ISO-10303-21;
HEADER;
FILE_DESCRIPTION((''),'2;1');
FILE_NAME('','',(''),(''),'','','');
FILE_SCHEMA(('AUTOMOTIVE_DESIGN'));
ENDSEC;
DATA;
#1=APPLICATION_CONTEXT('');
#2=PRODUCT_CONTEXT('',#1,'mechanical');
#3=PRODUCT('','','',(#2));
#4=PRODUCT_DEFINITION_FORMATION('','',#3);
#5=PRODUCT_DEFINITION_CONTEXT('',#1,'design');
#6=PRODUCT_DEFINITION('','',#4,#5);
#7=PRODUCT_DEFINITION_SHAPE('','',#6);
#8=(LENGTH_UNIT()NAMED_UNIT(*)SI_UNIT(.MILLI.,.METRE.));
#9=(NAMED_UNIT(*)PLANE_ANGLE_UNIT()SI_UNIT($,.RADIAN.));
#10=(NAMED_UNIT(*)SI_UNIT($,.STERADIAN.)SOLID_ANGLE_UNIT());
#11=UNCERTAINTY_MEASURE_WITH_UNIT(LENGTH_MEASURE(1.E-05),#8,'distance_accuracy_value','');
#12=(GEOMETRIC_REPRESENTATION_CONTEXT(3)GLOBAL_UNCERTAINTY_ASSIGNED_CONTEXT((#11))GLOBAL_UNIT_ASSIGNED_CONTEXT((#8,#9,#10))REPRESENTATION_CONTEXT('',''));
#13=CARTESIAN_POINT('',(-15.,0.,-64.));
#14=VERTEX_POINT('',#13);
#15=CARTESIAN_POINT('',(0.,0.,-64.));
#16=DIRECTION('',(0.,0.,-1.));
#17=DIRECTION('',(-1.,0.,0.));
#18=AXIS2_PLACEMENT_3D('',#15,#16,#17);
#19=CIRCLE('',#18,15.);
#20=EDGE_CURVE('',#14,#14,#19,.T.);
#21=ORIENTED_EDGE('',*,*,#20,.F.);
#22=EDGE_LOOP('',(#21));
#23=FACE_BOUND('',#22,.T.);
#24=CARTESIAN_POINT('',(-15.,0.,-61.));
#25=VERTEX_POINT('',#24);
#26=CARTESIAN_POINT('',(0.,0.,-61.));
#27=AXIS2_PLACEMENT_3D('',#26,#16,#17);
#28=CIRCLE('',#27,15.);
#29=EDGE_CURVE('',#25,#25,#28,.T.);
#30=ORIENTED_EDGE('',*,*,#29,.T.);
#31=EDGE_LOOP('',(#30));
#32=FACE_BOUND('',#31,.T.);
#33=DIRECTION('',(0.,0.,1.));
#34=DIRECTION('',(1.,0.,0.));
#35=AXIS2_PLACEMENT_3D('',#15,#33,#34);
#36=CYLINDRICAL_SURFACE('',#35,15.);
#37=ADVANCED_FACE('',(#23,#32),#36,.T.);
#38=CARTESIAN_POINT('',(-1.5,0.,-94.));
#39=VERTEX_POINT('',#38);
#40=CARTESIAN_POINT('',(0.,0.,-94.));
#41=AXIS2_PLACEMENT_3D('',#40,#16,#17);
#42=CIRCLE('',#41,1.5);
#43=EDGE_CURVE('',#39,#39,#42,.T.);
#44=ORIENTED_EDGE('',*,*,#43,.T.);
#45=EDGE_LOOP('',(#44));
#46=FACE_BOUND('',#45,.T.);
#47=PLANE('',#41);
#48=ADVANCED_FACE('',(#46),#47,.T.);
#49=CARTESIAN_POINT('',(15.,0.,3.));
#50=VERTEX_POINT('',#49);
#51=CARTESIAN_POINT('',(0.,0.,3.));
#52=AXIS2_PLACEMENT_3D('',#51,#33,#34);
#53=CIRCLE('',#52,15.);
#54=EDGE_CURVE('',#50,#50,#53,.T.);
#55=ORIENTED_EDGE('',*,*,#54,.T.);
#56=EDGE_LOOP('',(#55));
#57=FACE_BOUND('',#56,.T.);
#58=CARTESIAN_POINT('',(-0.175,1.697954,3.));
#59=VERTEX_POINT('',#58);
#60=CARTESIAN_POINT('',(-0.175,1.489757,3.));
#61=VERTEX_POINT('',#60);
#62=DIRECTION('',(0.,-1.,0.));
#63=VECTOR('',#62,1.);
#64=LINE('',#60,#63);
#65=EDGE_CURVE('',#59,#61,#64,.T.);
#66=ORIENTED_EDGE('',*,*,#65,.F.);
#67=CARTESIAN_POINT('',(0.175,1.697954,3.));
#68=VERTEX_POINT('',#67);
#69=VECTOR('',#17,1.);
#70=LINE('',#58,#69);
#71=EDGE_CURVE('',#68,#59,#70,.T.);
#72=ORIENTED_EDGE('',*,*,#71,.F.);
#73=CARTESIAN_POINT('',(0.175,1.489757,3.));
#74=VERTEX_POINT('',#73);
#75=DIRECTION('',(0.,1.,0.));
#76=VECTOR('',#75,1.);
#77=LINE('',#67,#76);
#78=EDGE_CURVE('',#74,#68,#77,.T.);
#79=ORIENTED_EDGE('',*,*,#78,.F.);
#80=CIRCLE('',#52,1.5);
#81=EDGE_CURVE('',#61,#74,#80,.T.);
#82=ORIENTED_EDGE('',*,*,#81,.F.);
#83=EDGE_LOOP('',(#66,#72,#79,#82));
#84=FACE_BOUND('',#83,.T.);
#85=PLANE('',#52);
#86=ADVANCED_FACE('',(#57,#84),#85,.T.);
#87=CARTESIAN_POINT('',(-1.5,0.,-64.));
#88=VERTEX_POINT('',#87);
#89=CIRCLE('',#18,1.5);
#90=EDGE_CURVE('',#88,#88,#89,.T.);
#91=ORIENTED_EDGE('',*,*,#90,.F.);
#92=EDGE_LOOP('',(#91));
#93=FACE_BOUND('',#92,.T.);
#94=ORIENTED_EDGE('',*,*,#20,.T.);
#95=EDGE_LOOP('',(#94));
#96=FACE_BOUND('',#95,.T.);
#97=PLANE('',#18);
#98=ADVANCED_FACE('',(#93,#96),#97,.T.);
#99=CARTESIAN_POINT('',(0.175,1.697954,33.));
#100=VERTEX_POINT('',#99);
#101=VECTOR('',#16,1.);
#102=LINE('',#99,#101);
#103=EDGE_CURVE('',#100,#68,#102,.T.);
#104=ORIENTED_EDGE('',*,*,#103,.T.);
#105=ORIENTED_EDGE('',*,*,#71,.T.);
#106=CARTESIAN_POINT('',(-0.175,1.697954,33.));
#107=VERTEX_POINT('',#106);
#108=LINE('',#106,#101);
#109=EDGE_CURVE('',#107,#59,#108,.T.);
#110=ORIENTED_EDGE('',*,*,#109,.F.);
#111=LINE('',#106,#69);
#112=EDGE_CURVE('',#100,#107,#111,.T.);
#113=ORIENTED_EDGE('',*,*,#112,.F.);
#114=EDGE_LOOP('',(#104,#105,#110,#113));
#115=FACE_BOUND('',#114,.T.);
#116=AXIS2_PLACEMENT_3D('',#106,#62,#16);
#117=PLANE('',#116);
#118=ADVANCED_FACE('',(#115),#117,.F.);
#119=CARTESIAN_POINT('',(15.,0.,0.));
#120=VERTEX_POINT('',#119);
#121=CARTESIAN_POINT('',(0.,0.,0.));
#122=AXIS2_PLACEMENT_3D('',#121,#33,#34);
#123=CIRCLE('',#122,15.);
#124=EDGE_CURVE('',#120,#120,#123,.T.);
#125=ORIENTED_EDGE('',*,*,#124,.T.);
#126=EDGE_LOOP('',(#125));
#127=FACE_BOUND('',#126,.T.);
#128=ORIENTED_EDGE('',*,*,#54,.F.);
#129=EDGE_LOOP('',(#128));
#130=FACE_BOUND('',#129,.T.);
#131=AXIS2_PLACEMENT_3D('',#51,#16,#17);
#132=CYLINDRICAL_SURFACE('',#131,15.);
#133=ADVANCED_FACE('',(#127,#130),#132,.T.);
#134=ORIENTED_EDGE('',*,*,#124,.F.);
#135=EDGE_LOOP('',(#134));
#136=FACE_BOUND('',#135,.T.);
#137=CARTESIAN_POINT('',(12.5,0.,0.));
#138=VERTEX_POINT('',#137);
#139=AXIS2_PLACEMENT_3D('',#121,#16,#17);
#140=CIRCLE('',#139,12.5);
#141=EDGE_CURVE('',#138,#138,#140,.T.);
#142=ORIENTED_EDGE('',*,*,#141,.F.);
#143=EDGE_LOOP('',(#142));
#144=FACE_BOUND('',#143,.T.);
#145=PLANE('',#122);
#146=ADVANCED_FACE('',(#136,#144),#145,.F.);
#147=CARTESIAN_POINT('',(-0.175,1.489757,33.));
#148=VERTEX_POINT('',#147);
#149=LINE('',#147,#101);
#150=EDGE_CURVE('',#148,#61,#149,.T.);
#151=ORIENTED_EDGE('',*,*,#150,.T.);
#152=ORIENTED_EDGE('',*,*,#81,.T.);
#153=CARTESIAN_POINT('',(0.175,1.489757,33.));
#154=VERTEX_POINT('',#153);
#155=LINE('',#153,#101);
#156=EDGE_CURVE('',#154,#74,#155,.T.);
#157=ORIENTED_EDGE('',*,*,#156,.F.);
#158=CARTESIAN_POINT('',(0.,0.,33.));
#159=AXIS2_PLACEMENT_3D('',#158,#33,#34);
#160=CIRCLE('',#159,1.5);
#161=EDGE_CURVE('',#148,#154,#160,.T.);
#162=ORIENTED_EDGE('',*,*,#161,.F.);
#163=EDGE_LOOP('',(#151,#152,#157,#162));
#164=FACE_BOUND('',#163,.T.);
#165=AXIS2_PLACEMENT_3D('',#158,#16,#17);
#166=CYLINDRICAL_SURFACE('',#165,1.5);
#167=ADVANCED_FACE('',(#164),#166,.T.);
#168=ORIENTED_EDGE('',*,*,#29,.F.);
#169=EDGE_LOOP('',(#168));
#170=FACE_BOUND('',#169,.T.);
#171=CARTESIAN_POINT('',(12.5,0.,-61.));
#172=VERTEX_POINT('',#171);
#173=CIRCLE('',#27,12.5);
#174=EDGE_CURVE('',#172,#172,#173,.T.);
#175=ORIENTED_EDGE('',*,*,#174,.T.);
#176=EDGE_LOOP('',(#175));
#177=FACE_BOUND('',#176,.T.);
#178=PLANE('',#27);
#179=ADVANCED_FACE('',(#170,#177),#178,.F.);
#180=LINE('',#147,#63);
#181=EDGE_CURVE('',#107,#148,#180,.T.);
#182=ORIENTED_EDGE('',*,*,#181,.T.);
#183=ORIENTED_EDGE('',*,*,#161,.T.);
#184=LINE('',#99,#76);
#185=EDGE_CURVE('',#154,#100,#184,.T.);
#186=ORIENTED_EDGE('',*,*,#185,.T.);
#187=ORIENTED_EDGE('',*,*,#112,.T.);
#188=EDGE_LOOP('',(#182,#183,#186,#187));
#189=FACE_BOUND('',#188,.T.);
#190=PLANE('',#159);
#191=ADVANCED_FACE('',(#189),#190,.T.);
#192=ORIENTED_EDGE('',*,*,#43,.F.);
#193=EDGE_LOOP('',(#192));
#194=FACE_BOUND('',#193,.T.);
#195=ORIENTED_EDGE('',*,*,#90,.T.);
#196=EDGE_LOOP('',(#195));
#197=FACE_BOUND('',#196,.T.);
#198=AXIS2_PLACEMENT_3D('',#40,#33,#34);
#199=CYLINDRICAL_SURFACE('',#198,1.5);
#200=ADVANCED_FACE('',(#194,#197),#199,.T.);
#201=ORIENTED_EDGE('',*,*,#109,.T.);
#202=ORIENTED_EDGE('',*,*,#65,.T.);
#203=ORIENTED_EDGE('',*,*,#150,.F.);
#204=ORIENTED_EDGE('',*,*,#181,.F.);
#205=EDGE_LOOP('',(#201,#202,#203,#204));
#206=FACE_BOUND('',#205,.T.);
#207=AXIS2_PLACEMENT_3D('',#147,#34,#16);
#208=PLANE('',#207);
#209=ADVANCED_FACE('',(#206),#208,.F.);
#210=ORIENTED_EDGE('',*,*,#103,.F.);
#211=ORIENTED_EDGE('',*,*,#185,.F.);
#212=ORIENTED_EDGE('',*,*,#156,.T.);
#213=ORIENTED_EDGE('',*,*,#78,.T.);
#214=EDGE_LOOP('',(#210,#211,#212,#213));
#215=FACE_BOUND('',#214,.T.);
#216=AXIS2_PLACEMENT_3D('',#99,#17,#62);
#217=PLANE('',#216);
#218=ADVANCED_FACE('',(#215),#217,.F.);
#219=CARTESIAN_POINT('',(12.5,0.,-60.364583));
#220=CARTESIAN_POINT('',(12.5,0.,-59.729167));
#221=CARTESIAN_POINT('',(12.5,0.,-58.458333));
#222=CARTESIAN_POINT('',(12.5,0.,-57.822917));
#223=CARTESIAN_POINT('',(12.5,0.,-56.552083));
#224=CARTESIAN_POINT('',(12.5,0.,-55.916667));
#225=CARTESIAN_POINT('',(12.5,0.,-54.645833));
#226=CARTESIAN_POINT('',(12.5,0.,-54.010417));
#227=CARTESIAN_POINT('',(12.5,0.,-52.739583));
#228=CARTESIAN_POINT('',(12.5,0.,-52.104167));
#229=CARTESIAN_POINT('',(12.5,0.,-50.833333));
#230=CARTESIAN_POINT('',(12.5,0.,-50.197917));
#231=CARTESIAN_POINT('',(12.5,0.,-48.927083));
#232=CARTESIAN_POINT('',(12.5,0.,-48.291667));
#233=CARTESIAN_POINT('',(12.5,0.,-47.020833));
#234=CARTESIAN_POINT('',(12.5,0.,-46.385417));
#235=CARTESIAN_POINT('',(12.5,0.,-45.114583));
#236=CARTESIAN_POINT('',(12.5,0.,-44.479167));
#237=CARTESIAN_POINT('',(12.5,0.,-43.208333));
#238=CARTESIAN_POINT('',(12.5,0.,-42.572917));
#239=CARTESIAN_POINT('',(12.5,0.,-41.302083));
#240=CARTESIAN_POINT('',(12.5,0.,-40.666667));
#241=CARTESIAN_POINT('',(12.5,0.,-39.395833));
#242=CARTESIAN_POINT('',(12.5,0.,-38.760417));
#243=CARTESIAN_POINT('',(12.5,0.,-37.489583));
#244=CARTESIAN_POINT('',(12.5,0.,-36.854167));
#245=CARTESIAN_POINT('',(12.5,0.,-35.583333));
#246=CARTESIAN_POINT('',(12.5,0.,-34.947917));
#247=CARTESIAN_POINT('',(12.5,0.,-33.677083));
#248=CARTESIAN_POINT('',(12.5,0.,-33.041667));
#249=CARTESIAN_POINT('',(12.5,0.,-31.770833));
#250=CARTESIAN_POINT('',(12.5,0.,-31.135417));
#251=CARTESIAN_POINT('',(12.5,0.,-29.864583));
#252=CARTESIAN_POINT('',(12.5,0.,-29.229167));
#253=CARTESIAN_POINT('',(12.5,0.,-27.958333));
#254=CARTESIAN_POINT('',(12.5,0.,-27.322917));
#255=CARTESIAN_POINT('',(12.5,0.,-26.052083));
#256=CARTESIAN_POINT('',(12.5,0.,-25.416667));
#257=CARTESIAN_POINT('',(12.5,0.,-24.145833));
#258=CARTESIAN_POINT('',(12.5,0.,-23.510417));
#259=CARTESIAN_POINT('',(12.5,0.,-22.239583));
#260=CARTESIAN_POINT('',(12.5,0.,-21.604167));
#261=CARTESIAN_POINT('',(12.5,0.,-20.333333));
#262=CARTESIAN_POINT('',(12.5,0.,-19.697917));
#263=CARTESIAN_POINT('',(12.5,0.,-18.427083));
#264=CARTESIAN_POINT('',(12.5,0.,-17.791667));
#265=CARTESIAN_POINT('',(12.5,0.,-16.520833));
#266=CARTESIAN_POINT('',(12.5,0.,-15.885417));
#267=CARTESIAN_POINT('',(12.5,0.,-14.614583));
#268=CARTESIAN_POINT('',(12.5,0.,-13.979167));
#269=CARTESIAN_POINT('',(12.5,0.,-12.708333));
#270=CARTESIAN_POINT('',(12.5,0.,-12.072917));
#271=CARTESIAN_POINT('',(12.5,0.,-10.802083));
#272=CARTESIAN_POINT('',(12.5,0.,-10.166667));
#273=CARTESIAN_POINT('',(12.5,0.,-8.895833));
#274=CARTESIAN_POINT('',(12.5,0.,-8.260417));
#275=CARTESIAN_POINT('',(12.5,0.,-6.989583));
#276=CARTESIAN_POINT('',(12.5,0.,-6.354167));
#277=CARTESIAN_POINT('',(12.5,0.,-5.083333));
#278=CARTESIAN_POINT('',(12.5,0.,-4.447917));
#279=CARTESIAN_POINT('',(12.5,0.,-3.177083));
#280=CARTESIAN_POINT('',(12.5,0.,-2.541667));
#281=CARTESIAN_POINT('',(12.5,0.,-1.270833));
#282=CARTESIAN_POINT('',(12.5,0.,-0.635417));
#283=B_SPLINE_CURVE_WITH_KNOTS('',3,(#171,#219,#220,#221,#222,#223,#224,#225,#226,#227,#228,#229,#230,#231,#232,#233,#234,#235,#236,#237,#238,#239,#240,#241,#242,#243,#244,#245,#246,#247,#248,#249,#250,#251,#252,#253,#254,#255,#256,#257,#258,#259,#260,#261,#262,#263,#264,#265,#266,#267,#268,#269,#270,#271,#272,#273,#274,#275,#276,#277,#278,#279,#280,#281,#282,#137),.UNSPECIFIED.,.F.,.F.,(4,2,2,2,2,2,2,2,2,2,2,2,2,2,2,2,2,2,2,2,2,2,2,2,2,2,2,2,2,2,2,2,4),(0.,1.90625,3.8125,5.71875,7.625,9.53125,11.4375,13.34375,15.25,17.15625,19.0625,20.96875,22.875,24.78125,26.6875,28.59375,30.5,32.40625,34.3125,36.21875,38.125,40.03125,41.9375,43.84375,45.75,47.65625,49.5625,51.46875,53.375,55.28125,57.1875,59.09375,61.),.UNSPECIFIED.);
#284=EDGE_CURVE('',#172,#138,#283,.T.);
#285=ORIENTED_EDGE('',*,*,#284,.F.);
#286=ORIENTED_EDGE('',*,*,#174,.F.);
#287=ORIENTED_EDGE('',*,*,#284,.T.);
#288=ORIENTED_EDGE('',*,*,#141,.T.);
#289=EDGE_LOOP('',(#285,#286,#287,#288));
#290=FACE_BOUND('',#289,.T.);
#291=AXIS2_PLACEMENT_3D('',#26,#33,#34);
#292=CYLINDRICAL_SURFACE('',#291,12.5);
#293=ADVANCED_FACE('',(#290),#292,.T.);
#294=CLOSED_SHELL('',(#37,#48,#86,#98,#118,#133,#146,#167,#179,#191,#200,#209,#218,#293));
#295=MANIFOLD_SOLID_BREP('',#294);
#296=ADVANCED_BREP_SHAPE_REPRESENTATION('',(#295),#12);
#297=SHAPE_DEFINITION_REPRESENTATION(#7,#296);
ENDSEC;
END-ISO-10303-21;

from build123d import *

# Parameters (mm, degrees)
CROQUIS1_R              = 15
SALIENTE_EXTRUIR1_DEPTH = 3
SALIENTE_EXTRUIR2_DEPTH = 30
CROQUIS3_R              = 12.5
SALIENTE_EXTRUIR3_DEPTH = 61
SALIENTE_EXTRUIR4_START = 3
CROQUIS4_R              = 15
SALIENTE_EXTRUIR4_DEPTH = 3
SALIENTE_EXTRUIR5_START = 30
CROQUIS5_R              = 1.5
SALIENTE_EXTRUIR5_DEPTH = 30


with BuildPart() as part:
    # Croquis1 → Saliente-Extruir1 (new body)
    with BuildSketch(Plane.XY):
        Circle(CROQUIS1_R)
    extrude(amount=SALIENTE_EXTRUIR1_DEPTH)

    # Croquis2 → Saliente-Extruir2 (add)
    with BuildSketch(Plane.XY.offset(3)):
        with BuildLine():
            Line((-0.175, 1.489756692), (-0.175, 1.697953704))
            Line((-0.175, 1.697953704), (0.175, 1.697953704))
            Line((0.175, 1.697953704), (0.175, 1.489756692))
            ThreePointArc((0.175, 1.489756692), (0, -1.5), (-0.175, 1.489756692))
        make_face()
    extrude(amount=SALIENTE_EXTRUIR2_DEPTH)

    # Croquis3 → Saliente-Extruir3 (add)
    with BuildSketch(Plane(origin=(0, 0, 0), x_dir=(-1, 0, 0), z_dir=(0, 0, -1))):
        with Locations(Location((0, 0, 0), (0, 0, 180))):
            Circle(CROQUIS3_R)
    extrude(amount=SALIENTE_EXTRUIR3_DEPTH)

    # Croquis4 → Saliente-Extruir4 (add)
    with BuildSketch(Plane(origin=(0, 0, -61), x_dir=(-1, 0, 0), z_dir=(0, 0, -1)).offset(SALIENTE_EXTRUIR4_START)):
        with Locations(Location((0, 0, 0), (0, 0, 180))):
            Circle(CROQUIS4_R)
    extrude(amount=-SALIENTE_EXTRUIR4_DEPTH)

    # Croquis5 → Saliente-Extruir5 (add)
    with BuildSketch(Plane(origin=(0, 0, -64), x_dir=(-1, 0, 0), z_dir=(0, 0, -1)).offset(SALIENTE_EXTRUIR5_START)):
        Circle(CROQUIS5_R)
    extrude(amount=-SALIENTE_EXTRUIR5_DEPTH)


solid = part.part
